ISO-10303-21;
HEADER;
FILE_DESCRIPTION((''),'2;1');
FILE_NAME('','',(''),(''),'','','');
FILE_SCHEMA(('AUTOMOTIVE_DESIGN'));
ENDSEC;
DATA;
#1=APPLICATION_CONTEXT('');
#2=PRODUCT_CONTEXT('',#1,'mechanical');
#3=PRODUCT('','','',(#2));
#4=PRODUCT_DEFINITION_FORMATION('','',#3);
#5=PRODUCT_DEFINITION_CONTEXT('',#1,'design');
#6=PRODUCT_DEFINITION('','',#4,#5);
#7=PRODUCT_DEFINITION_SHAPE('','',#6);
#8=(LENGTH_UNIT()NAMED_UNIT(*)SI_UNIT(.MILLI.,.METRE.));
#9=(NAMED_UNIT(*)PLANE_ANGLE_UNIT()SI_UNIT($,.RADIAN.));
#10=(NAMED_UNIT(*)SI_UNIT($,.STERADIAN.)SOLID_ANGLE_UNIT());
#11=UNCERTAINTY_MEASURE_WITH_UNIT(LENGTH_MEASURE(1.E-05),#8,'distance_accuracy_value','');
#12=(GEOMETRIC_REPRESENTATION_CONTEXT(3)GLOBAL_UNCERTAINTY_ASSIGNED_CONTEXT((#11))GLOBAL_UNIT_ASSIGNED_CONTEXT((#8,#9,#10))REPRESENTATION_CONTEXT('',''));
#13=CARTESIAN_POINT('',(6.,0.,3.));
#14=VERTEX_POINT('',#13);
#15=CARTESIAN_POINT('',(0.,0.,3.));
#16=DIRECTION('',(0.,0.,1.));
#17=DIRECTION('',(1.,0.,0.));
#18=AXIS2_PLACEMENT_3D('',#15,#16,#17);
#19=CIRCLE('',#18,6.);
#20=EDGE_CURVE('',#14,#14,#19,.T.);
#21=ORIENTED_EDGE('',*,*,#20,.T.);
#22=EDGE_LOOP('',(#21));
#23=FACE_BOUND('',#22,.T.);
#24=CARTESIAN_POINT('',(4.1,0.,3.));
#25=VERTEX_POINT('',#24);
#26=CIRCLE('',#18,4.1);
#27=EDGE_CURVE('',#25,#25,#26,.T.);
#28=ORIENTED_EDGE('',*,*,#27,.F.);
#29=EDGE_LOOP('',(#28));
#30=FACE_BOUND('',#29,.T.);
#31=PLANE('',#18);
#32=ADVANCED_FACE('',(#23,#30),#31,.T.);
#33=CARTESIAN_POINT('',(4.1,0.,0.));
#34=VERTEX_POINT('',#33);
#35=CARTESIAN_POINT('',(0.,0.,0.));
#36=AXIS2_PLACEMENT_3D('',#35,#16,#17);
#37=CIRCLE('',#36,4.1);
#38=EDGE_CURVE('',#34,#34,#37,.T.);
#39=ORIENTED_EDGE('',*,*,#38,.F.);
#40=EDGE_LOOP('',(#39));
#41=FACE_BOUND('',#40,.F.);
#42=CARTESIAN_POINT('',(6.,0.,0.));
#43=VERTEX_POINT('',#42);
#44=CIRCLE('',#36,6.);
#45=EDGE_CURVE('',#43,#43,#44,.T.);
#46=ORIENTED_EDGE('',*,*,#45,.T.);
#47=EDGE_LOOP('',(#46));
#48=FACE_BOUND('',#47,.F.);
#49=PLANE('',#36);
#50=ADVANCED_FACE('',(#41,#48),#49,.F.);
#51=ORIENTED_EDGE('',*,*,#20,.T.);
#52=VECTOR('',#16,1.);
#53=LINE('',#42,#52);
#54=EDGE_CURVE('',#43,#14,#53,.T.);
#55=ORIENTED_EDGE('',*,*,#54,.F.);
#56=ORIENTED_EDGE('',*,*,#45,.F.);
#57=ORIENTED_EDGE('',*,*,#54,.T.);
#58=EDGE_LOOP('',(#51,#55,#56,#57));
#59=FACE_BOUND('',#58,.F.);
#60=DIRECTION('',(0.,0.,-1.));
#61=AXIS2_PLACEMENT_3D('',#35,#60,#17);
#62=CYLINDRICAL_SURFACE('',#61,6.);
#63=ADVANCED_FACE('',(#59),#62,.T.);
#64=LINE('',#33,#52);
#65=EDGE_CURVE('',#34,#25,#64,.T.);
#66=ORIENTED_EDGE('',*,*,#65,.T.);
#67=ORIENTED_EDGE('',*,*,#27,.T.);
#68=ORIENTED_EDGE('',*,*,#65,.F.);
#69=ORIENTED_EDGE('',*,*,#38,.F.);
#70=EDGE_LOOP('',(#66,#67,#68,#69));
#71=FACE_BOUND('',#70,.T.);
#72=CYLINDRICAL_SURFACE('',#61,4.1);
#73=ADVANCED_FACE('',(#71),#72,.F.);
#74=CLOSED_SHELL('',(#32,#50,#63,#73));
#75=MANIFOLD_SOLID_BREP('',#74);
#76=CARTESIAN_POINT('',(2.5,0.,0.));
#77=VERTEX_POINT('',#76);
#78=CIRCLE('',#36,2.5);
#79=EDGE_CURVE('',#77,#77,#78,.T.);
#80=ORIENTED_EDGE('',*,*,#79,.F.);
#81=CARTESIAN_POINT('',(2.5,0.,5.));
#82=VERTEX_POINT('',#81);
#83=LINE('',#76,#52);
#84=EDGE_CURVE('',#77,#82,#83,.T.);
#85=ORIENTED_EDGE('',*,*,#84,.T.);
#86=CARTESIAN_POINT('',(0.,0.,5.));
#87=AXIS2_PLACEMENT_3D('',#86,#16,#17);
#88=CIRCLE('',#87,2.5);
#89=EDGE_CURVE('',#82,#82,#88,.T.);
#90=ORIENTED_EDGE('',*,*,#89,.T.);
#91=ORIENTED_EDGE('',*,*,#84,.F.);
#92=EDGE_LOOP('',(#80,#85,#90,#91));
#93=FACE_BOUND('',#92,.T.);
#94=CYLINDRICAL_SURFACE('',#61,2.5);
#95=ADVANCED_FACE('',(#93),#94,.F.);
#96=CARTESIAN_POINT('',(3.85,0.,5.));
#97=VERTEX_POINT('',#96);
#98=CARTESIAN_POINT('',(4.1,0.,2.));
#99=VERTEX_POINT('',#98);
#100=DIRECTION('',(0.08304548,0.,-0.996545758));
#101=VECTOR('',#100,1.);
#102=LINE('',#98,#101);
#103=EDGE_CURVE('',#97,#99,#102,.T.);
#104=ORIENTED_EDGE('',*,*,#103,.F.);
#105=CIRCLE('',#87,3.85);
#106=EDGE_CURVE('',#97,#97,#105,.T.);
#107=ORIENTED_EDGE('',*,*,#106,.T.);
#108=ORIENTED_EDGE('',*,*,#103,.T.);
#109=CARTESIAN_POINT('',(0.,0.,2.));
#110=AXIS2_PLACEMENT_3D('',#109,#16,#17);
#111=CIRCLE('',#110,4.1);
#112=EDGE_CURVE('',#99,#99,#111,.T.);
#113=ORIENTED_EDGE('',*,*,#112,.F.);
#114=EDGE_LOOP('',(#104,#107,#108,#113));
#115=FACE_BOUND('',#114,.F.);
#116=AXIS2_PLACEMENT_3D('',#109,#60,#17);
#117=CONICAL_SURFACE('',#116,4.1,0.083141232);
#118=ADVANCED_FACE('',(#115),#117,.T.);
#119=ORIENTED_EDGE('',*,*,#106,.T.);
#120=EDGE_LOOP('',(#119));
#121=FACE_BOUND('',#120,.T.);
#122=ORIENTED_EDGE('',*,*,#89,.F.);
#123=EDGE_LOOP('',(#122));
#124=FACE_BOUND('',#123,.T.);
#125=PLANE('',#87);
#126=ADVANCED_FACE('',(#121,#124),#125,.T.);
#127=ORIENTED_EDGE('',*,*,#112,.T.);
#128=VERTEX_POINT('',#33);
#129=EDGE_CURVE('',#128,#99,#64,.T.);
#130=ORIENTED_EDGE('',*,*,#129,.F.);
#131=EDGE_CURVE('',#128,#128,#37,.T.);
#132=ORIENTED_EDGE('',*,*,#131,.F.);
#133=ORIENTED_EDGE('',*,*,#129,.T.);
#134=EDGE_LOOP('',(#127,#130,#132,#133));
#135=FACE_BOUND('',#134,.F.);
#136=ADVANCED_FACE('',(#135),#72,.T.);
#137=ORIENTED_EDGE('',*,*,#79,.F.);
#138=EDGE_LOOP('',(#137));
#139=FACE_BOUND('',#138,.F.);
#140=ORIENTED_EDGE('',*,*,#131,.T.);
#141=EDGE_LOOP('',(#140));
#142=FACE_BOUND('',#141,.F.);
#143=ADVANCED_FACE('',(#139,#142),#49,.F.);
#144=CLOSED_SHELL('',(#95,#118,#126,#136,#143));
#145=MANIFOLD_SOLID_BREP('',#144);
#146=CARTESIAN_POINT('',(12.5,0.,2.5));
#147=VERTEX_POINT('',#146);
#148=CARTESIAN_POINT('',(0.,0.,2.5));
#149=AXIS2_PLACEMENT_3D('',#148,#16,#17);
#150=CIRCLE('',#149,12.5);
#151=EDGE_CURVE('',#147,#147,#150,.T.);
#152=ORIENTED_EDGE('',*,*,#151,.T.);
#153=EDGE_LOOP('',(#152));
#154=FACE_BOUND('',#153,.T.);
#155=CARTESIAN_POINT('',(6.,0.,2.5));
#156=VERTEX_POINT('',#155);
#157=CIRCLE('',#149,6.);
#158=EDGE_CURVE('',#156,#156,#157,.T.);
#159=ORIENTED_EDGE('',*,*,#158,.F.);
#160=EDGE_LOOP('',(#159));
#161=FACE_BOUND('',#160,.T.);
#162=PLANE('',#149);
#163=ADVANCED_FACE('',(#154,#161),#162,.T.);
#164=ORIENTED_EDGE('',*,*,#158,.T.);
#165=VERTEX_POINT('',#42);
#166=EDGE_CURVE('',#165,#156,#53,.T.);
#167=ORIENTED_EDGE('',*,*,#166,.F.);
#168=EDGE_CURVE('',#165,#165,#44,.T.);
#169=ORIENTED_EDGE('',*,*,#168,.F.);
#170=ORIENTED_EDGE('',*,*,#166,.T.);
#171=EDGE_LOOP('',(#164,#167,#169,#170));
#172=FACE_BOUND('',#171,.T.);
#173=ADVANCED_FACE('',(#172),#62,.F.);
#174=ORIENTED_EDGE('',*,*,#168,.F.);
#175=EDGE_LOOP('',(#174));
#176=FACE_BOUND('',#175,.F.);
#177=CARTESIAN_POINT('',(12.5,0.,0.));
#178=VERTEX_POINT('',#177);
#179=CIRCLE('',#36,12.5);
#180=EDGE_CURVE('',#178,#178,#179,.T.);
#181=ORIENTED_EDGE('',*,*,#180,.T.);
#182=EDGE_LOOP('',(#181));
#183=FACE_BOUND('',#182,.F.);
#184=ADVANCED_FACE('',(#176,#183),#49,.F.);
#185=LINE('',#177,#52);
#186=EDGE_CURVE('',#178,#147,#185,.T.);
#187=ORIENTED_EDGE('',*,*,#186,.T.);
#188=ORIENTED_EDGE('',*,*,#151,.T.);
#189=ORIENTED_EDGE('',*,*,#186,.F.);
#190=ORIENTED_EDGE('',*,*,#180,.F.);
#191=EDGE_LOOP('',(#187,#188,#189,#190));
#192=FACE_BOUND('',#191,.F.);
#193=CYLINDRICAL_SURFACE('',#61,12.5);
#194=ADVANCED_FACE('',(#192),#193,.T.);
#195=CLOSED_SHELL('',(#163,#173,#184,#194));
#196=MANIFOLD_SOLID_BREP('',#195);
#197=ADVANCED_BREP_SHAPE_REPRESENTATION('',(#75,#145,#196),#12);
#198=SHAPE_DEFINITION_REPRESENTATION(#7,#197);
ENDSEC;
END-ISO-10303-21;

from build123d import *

# Parameters (mm, degrees)
F0_R     = 4.1
F0_R_2   = 2.5
F1_DEPTH = 5
F0_R_3   = 12.5
F0_R_4   = 6
F2_DEPTH = 2.5
F3_DEPTH = 3
F4_SIZE2 = 3
F4_SIZE  = 0.25


with BuildPart() as f1:
    # F0 (on Top) → F1 (new body)
    with BuildSketch(Plane.XY):
        Circle(F0_R)
        Circle(F0_R_2, mode=Mode.SUBTRACT)
    extrude(amount=F1_DEPTH)

    # F4
    f4_edges = [f1.edges().sort_by_distance(p)[0] for p in [
        (-4.1, 0, 5),
    ]]
    f4_side = f1.faces().sort_by_distance((-3.984034, 0, 5))[0]
    chamfer(f4_edges, length=F4_SIZE, length2=F4_SIZE2, reference=f4_side)


with BuildPart() as f2:
    # F0 (on Top) → F2 (new body)
    with BuildSketch(Plane.XY):
        Circle(F0_R_3)
        Circle(F0_R_4, mode=Mode.SUBTRACT)
    extrude(amount=F2_DEPTH)


with BuildPart() as f3:
    # F0 (on Top) → F3 (new body)
    with BuildSketch(Plane.XY):
        Circle(F0_R_4)
        Circle(F0_R, mode=Mode.SUBTRACT)
    extrude(amount=F3_DEPTH)


solid = Compound([f1.part, f2.part, f3.part])
